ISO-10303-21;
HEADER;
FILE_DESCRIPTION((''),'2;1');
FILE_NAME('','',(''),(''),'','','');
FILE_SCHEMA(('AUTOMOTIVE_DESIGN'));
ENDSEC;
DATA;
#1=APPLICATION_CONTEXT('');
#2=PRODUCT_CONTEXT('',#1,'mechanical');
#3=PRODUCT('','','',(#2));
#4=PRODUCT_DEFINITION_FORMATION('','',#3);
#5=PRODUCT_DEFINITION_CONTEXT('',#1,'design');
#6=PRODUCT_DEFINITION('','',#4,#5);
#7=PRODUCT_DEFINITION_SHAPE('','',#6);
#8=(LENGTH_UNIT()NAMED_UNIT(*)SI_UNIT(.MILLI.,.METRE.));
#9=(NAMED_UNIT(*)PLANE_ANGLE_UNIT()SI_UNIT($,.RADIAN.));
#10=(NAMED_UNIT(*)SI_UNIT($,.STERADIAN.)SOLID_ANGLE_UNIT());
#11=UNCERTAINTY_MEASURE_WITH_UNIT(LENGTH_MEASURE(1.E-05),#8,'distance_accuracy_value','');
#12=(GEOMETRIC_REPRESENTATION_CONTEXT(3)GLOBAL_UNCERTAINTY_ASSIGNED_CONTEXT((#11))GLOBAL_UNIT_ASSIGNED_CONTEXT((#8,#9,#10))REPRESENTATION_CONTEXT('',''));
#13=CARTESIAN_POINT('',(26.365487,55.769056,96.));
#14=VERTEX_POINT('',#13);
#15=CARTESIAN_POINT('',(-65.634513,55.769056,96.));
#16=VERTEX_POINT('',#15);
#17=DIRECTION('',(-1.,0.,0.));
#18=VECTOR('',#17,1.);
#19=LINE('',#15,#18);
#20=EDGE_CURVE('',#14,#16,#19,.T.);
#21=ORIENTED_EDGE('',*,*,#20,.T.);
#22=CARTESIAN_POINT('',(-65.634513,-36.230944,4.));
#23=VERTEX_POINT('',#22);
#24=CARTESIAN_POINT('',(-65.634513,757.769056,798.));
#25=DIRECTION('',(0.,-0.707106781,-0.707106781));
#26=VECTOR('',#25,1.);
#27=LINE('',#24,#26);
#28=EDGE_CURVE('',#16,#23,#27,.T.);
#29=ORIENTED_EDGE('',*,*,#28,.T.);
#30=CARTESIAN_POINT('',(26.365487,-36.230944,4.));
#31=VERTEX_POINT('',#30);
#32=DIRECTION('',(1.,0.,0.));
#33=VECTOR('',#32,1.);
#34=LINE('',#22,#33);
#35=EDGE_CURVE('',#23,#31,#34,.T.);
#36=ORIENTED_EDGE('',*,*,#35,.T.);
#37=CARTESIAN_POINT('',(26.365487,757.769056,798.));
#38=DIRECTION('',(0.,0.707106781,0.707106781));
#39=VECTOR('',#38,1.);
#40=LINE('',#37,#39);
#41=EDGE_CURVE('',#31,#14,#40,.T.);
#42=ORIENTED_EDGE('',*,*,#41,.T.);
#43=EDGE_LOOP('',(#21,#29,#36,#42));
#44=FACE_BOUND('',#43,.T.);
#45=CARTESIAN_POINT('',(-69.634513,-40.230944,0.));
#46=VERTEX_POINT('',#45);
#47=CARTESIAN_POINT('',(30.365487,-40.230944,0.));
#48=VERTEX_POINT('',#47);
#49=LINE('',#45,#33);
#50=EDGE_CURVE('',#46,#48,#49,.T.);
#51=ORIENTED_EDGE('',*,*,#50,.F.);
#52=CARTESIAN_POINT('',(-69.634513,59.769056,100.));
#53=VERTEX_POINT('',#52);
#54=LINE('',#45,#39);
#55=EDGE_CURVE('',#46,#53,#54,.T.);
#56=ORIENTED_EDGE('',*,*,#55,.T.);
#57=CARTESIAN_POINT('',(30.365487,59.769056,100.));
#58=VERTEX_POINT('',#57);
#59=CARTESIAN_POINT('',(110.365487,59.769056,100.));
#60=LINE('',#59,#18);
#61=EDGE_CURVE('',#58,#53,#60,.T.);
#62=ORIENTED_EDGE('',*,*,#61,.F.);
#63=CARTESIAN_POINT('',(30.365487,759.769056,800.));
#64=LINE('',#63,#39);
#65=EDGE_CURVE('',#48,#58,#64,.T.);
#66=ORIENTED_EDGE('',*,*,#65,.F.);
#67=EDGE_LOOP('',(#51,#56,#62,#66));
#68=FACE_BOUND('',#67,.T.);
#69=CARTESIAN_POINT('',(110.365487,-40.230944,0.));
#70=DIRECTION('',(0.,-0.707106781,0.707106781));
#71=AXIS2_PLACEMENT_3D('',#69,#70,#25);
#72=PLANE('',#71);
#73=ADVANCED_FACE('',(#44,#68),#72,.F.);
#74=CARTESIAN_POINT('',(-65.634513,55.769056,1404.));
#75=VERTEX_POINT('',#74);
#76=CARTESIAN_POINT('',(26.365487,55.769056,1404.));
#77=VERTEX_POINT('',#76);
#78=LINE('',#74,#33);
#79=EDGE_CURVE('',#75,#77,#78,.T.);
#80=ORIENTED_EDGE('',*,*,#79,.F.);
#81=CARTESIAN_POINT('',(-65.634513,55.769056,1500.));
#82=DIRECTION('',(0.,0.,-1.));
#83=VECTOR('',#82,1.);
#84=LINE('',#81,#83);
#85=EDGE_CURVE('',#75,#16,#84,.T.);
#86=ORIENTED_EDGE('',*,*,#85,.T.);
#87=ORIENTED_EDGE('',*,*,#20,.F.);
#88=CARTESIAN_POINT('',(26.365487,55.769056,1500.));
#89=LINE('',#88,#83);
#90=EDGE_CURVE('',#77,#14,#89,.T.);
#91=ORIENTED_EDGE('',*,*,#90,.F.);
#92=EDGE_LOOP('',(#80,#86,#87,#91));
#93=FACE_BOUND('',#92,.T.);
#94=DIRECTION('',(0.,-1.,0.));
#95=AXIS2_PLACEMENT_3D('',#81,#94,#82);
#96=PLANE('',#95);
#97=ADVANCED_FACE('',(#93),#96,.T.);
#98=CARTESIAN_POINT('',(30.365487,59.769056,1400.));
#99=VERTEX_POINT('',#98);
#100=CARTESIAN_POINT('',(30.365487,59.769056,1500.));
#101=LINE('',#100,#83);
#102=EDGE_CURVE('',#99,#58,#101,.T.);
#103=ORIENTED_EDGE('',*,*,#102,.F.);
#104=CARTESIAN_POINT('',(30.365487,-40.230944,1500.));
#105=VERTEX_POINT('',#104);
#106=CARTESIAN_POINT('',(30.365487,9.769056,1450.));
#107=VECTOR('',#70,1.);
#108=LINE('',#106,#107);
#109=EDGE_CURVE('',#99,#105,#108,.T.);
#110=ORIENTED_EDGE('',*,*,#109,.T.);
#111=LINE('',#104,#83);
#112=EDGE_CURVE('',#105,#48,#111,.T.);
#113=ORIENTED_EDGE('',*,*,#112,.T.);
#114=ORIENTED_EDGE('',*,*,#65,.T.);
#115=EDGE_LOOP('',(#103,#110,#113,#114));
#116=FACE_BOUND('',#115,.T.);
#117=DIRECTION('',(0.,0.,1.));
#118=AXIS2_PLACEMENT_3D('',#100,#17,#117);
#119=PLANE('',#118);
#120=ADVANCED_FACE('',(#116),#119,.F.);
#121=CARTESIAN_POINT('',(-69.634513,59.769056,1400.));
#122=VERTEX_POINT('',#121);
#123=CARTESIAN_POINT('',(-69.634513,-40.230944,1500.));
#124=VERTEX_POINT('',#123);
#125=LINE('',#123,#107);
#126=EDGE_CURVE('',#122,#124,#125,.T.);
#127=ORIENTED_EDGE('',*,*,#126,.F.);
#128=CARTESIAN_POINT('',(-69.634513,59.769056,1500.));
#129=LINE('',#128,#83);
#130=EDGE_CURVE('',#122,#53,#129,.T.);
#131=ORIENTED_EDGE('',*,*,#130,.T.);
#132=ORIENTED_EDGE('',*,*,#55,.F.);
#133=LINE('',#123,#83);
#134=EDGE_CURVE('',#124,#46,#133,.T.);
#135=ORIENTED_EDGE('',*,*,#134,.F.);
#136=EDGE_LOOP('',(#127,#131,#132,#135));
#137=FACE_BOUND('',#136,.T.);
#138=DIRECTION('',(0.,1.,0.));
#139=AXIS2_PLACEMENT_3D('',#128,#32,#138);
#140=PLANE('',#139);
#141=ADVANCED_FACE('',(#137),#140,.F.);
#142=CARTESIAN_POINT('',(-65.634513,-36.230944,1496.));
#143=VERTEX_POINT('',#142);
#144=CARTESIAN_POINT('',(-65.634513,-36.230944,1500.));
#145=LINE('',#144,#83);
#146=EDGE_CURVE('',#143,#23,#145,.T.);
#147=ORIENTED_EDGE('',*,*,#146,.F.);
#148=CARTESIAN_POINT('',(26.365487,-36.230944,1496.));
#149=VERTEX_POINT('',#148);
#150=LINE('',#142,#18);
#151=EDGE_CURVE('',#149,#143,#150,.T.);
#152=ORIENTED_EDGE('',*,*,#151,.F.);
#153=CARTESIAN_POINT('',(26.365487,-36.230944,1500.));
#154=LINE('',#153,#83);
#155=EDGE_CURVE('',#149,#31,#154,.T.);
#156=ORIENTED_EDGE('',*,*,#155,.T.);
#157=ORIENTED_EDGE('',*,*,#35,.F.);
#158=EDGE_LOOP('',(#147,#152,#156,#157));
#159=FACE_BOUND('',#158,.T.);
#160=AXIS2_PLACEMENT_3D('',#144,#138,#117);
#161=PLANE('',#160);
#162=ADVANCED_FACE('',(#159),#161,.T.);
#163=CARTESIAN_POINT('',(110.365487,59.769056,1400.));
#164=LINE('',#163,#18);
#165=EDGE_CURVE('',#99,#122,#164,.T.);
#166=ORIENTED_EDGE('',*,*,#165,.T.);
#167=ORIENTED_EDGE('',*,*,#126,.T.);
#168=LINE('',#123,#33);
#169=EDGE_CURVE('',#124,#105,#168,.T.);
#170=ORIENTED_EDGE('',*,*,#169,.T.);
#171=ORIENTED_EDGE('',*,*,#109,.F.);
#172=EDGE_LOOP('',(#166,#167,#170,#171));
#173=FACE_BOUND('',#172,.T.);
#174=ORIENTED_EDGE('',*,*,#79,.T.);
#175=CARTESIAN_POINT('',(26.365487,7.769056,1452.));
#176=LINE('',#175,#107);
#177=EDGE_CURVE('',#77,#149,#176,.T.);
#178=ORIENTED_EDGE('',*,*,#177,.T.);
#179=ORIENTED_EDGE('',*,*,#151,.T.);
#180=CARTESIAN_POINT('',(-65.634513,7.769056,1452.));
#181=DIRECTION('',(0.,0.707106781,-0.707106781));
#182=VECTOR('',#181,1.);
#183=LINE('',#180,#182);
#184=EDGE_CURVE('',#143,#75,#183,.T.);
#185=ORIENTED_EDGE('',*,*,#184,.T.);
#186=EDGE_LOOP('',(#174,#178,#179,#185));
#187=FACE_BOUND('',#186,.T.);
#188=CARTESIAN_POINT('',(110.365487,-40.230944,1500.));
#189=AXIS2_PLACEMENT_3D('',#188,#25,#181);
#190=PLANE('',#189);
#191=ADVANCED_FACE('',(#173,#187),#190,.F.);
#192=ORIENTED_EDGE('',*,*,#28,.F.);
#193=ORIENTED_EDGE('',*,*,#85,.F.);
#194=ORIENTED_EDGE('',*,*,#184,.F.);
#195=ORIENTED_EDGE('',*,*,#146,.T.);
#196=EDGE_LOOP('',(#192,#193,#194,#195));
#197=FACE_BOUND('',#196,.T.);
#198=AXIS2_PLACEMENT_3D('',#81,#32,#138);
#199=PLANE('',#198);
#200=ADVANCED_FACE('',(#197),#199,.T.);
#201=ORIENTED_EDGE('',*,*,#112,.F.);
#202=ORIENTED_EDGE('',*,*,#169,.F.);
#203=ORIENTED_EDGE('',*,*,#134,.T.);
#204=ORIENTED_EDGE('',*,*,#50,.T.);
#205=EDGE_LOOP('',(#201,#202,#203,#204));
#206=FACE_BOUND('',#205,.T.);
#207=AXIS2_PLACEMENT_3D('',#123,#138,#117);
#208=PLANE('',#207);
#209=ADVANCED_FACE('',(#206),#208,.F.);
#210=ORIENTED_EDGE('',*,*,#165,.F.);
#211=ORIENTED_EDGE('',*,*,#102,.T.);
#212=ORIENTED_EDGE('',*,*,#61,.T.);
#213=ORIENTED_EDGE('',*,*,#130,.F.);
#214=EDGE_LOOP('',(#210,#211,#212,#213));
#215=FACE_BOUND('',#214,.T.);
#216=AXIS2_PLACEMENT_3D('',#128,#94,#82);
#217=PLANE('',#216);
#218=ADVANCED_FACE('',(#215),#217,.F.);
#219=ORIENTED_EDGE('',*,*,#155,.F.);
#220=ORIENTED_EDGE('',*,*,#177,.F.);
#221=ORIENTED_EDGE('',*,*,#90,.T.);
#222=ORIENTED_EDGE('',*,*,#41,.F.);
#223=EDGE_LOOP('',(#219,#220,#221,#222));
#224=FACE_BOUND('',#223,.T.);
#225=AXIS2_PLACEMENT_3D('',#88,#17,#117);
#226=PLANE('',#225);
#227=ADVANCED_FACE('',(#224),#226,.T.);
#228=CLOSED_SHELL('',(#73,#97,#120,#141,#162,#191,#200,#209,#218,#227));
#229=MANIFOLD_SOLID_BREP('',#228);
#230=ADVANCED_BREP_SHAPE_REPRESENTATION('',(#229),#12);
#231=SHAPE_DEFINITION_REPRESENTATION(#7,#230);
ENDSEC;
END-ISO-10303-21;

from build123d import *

# Parameters (mm, degrees)
CROQUIS1_W              = 100
CROQUIS1_H              = 100
CROQUIS1_W_2            = 92
CROQUIS1_H_2            = 92
SALIENTE_EXTRUIR2_DEPTH = 1500
CORTAR_EXTRUIR2_DEPTH   = 180


with BuildPart() as part:
    # Croquis1 → Saliente-Extruir2 (new body)
    with BuildSketch(Plane.XY):
        with Locations((-19.634513149, 9.769055649)):
            Rectangle(CROQUIS1_W, CROQUIS1_H)
        with Locations((-19.634513149, 9.769055649)):
            Rectangle(CROQUIS1_W_2, CROQUIS1_H_2, mode=Mode.SUBTRACT)
    extrude(amount=SALIENTE_EXTRUIR2_DEPTH)

    # Croquis2 → Cortar-Extruir2 (cut)
    with BuildSketch(Plane.ZY.offset(69.634513149)):
        Polygon((1500, -40.230944351), (1400, 59.769055649), (1500, 59.769055649), align=None)
        Polygon((0, -40.230944351), (100, 59.769055649), (0, 59.769055649), align=None)
    extrude(amount=-CORTAR_EXTRUIR2_DEPTH, mode=Mode.SUBTRACT)


solid = part.part
